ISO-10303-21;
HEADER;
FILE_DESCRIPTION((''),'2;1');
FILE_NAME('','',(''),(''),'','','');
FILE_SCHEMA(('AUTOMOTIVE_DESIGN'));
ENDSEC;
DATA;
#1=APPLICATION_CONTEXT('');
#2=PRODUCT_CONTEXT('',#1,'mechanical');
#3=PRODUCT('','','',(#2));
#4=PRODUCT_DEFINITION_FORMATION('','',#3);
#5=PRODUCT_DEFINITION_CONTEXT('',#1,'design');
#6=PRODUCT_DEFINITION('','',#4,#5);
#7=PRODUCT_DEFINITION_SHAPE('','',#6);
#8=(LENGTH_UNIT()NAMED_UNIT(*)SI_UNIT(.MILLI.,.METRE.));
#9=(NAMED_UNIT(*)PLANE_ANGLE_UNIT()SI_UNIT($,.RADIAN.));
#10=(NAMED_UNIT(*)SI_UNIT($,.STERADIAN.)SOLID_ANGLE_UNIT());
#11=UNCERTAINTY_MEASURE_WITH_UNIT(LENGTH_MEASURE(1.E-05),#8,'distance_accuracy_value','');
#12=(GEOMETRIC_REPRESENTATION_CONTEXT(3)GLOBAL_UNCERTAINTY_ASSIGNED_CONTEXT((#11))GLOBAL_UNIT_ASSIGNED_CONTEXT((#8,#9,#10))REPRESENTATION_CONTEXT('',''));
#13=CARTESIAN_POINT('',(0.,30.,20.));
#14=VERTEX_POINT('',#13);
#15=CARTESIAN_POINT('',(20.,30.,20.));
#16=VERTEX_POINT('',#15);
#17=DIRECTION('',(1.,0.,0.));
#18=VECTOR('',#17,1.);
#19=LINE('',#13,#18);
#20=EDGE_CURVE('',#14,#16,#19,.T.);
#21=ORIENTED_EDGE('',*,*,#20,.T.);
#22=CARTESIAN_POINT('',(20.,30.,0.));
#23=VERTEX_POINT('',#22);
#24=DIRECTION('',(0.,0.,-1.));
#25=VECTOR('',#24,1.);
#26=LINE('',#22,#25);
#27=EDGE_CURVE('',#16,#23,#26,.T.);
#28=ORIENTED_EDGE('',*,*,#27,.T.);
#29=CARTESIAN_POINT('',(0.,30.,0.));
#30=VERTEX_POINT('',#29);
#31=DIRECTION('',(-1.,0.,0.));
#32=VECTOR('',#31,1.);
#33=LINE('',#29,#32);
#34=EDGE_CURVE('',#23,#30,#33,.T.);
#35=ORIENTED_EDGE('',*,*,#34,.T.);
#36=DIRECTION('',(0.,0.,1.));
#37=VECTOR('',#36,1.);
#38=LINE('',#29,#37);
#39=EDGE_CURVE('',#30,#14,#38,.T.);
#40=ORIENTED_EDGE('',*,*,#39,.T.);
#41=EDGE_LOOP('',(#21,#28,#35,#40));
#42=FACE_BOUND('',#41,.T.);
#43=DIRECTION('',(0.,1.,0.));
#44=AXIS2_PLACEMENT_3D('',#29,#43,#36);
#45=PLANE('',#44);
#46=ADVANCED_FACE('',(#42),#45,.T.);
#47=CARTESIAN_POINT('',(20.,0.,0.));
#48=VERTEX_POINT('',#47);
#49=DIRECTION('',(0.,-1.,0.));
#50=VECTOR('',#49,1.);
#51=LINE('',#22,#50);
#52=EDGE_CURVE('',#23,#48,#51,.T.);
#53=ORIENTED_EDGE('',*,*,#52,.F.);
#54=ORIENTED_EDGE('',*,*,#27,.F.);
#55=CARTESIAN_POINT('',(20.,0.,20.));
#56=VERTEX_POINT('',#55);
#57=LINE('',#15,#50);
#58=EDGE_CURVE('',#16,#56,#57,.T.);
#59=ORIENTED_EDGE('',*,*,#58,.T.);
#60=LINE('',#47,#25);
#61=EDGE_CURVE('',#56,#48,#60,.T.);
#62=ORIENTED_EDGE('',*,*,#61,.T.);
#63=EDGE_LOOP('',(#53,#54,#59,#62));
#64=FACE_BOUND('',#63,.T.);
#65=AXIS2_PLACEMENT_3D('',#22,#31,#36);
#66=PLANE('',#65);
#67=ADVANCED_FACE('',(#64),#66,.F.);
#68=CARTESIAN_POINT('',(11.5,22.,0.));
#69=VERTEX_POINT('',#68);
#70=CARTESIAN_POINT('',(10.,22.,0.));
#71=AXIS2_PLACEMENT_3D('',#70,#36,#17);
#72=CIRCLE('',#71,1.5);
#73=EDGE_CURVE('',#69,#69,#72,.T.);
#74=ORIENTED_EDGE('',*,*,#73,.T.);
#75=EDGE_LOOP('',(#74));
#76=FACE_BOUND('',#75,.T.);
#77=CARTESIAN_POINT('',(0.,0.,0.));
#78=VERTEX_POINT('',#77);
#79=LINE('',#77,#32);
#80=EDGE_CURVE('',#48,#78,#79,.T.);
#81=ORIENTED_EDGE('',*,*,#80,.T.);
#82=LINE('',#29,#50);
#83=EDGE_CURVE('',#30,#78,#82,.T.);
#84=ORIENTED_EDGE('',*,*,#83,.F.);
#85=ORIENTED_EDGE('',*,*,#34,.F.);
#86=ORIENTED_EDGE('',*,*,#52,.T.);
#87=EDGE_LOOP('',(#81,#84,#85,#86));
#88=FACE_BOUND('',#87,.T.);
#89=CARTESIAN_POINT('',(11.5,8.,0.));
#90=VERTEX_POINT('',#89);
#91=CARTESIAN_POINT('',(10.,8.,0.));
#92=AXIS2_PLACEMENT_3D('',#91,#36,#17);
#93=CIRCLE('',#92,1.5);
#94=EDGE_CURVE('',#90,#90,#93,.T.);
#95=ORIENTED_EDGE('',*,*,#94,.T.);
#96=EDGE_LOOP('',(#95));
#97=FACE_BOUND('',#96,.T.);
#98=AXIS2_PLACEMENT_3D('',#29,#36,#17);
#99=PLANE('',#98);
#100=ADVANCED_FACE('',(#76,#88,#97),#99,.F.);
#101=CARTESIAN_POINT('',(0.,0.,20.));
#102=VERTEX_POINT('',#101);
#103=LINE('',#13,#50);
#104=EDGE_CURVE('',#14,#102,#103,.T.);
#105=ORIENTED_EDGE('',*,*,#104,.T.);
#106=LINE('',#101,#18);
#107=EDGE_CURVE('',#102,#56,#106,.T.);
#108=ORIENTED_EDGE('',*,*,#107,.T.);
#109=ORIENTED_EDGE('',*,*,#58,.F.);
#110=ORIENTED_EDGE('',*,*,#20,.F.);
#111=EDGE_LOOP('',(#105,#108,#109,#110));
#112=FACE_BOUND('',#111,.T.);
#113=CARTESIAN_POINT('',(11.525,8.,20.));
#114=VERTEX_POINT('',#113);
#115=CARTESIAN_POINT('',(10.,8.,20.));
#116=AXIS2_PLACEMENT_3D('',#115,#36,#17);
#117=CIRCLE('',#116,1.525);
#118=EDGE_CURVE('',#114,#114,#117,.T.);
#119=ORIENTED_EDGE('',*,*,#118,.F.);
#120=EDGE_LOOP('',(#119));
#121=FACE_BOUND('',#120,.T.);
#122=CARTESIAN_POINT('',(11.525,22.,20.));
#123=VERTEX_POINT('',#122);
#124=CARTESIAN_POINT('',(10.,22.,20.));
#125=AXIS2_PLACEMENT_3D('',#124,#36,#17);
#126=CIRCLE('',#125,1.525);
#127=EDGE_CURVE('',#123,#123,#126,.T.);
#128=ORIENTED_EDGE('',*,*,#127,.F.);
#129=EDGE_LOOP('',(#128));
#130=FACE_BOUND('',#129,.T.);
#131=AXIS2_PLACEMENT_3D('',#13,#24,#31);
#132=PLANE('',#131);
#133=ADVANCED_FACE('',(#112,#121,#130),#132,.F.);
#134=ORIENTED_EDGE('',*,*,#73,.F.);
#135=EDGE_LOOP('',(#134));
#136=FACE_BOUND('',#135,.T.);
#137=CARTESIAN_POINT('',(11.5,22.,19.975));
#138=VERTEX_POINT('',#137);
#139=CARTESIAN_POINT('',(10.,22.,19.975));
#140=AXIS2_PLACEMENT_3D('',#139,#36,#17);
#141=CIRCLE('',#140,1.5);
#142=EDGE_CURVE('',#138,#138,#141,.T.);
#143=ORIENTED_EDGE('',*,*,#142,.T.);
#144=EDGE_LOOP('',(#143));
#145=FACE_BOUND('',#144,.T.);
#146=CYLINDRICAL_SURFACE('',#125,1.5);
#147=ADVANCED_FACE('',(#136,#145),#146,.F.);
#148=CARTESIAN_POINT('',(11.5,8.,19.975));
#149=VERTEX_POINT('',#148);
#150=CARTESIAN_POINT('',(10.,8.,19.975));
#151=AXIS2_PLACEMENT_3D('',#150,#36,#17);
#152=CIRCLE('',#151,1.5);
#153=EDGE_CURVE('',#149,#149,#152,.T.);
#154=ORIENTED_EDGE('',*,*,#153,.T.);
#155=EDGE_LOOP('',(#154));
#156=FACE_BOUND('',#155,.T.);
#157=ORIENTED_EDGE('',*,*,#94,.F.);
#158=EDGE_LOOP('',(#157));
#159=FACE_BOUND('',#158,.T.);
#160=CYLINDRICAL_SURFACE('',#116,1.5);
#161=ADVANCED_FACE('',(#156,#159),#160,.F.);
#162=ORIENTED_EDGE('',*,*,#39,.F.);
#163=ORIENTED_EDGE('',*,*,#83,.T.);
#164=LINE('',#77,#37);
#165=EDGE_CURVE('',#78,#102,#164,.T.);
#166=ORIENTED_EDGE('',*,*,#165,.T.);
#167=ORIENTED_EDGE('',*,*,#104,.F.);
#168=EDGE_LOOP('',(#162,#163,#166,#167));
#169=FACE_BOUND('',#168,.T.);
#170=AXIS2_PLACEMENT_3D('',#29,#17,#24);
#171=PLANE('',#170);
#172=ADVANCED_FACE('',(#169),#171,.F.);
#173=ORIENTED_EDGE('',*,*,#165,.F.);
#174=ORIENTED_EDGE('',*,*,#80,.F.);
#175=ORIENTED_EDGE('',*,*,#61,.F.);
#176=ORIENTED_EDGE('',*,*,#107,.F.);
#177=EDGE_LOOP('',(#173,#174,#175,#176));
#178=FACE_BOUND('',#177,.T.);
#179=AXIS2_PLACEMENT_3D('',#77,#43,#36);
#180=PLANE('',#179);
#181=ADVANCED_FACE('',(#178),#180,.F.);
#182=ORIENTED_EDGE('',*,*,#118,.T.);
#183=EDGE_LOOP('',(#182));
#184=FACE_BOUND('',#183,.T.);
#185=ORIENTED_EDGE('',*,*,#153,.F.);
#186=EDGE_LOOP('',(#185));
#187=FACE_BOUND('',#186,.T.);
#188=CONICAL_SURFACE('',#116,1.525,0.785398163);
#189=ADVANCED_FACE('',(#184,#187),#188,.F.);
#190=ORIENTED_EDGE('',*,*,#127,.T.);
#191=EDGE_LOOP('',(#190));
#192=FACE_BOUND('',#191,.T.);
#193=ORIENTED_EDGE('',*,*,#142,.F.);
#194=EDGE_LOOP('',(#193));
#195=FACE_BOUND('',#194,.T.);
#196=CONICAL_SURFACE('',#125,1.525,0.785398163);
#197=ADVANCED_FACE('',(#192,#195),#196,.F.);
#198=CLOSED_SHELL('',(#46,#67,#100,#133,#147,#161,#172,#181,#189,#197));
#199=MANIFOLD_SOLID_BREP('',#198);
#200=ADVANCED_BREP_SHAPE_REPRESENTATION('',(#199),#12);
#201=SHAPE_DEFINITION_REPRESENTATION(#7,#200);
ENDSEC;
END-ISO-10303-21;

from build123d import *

# Parameters (mm, degrees)
SKETCH1_W                       = 20
SKETCH1_H                       = 20
BOSS_EXTRUDE1_DEPTH             = 30
F_3_0MM_DOWEL_HOLE1_D           = 3
F_3_0MM_DOWEL_HOLE1_DEPTH       = 20
F_3_0MM_DOWEL_HOLE1_CSINK_D     = 3.05
F_3_0MM_DOWEL_HOLE1_CSINK_ANGLE = 90
F_3_0MM_DOWEL_HOLE1_TIP         = 0.901290929
F_3_0MM_DOWEL_HOLE2_D           = 3
F_3_0MM_DOWEL_HOLE2_DEPTH       = 20
F_3_0MM_DOWEL_HOLE2_CSINK_D     = 3.05
F_3_0MM_DOWEL_HOLE2_CSINK_ANGLE = 90
F_3_0MM_DOWEL_HOLE2_TIP         = 0.901290929


with BuildPart() as part:
    # Sketch1 → Boss-Extrude1 (new body)
    with BuildSketch(Plane(origin=(0, 0, 0), x_dir=(1, 0, 0), z_dir=(0, 1, 0))):
        with Locations((10, -10)):
            Rectangle(SKETCH1_W, SKETCH1_H)
    extrude(amount=BOSS_EXTRUDE1_DEPTH)

    # Ø3.0mm Dowel Hole1
    with Locations(Plane(origin=(0, 0, 20), x_dir=(-1, 0, 0), z_dir=(0, 0, 1))):
        with Locations((-10, -8)):
            CounterSinkHole(F_3_0MM_DOWEL_HOLE1_D / 2, F_3_0MM_DOWEL_HOLE1_CSINK_D / 2, depth=F_3_0MM_DOWEL_HOLE1_DEPTH, counter_sink_angle=F_3_0MM_DOWEL_HOLE1_CSINK_ANGLE)
            with Locations((0, 0, -(F_3_0MM_DOWEL_HOLE1_DEPTH + F_3_0MM_DOWEL_HOLE1_TIP / 2))):  # 118° drill point
                Cone(0, F_3_0MM_DOWEL_HOLE1_D / 2, F_3_0MM_DOWEL_HOLE1_TIP, mode=Mode.SUBTRACT)

    # Ø3.0mm Dowel Hole2
    with Locations(Plane.XY.offset(20)):
        with Locations((10, 22)):
            CounterSinkHole(F_3_0MM_DOWEL_HOLE2_D / 2, F_3_0MM_DOWEL_HOLE2_CSINK_D / 2, depth=F_3_0MM_DOWEL_HOLE2_DEPTH, counter_sink_angle=F_3_0MM_DOWEL_HOLE2_CSINK_ANGLE)
            with Locations((0, 0, -(F_3_0MM_DOWEL_HOLE2_DEPTH + F_3_0MM_DOWEL_HOLE2_TIP / 2))):  # 118° drill point
                Cone(0, F_3_0MM_DOWEL_HOLE2_D / 2, F_3_0MM_DOWEL_HOLE2_TIP, mode=Mode.SUBTRACT)


solid = part.part
